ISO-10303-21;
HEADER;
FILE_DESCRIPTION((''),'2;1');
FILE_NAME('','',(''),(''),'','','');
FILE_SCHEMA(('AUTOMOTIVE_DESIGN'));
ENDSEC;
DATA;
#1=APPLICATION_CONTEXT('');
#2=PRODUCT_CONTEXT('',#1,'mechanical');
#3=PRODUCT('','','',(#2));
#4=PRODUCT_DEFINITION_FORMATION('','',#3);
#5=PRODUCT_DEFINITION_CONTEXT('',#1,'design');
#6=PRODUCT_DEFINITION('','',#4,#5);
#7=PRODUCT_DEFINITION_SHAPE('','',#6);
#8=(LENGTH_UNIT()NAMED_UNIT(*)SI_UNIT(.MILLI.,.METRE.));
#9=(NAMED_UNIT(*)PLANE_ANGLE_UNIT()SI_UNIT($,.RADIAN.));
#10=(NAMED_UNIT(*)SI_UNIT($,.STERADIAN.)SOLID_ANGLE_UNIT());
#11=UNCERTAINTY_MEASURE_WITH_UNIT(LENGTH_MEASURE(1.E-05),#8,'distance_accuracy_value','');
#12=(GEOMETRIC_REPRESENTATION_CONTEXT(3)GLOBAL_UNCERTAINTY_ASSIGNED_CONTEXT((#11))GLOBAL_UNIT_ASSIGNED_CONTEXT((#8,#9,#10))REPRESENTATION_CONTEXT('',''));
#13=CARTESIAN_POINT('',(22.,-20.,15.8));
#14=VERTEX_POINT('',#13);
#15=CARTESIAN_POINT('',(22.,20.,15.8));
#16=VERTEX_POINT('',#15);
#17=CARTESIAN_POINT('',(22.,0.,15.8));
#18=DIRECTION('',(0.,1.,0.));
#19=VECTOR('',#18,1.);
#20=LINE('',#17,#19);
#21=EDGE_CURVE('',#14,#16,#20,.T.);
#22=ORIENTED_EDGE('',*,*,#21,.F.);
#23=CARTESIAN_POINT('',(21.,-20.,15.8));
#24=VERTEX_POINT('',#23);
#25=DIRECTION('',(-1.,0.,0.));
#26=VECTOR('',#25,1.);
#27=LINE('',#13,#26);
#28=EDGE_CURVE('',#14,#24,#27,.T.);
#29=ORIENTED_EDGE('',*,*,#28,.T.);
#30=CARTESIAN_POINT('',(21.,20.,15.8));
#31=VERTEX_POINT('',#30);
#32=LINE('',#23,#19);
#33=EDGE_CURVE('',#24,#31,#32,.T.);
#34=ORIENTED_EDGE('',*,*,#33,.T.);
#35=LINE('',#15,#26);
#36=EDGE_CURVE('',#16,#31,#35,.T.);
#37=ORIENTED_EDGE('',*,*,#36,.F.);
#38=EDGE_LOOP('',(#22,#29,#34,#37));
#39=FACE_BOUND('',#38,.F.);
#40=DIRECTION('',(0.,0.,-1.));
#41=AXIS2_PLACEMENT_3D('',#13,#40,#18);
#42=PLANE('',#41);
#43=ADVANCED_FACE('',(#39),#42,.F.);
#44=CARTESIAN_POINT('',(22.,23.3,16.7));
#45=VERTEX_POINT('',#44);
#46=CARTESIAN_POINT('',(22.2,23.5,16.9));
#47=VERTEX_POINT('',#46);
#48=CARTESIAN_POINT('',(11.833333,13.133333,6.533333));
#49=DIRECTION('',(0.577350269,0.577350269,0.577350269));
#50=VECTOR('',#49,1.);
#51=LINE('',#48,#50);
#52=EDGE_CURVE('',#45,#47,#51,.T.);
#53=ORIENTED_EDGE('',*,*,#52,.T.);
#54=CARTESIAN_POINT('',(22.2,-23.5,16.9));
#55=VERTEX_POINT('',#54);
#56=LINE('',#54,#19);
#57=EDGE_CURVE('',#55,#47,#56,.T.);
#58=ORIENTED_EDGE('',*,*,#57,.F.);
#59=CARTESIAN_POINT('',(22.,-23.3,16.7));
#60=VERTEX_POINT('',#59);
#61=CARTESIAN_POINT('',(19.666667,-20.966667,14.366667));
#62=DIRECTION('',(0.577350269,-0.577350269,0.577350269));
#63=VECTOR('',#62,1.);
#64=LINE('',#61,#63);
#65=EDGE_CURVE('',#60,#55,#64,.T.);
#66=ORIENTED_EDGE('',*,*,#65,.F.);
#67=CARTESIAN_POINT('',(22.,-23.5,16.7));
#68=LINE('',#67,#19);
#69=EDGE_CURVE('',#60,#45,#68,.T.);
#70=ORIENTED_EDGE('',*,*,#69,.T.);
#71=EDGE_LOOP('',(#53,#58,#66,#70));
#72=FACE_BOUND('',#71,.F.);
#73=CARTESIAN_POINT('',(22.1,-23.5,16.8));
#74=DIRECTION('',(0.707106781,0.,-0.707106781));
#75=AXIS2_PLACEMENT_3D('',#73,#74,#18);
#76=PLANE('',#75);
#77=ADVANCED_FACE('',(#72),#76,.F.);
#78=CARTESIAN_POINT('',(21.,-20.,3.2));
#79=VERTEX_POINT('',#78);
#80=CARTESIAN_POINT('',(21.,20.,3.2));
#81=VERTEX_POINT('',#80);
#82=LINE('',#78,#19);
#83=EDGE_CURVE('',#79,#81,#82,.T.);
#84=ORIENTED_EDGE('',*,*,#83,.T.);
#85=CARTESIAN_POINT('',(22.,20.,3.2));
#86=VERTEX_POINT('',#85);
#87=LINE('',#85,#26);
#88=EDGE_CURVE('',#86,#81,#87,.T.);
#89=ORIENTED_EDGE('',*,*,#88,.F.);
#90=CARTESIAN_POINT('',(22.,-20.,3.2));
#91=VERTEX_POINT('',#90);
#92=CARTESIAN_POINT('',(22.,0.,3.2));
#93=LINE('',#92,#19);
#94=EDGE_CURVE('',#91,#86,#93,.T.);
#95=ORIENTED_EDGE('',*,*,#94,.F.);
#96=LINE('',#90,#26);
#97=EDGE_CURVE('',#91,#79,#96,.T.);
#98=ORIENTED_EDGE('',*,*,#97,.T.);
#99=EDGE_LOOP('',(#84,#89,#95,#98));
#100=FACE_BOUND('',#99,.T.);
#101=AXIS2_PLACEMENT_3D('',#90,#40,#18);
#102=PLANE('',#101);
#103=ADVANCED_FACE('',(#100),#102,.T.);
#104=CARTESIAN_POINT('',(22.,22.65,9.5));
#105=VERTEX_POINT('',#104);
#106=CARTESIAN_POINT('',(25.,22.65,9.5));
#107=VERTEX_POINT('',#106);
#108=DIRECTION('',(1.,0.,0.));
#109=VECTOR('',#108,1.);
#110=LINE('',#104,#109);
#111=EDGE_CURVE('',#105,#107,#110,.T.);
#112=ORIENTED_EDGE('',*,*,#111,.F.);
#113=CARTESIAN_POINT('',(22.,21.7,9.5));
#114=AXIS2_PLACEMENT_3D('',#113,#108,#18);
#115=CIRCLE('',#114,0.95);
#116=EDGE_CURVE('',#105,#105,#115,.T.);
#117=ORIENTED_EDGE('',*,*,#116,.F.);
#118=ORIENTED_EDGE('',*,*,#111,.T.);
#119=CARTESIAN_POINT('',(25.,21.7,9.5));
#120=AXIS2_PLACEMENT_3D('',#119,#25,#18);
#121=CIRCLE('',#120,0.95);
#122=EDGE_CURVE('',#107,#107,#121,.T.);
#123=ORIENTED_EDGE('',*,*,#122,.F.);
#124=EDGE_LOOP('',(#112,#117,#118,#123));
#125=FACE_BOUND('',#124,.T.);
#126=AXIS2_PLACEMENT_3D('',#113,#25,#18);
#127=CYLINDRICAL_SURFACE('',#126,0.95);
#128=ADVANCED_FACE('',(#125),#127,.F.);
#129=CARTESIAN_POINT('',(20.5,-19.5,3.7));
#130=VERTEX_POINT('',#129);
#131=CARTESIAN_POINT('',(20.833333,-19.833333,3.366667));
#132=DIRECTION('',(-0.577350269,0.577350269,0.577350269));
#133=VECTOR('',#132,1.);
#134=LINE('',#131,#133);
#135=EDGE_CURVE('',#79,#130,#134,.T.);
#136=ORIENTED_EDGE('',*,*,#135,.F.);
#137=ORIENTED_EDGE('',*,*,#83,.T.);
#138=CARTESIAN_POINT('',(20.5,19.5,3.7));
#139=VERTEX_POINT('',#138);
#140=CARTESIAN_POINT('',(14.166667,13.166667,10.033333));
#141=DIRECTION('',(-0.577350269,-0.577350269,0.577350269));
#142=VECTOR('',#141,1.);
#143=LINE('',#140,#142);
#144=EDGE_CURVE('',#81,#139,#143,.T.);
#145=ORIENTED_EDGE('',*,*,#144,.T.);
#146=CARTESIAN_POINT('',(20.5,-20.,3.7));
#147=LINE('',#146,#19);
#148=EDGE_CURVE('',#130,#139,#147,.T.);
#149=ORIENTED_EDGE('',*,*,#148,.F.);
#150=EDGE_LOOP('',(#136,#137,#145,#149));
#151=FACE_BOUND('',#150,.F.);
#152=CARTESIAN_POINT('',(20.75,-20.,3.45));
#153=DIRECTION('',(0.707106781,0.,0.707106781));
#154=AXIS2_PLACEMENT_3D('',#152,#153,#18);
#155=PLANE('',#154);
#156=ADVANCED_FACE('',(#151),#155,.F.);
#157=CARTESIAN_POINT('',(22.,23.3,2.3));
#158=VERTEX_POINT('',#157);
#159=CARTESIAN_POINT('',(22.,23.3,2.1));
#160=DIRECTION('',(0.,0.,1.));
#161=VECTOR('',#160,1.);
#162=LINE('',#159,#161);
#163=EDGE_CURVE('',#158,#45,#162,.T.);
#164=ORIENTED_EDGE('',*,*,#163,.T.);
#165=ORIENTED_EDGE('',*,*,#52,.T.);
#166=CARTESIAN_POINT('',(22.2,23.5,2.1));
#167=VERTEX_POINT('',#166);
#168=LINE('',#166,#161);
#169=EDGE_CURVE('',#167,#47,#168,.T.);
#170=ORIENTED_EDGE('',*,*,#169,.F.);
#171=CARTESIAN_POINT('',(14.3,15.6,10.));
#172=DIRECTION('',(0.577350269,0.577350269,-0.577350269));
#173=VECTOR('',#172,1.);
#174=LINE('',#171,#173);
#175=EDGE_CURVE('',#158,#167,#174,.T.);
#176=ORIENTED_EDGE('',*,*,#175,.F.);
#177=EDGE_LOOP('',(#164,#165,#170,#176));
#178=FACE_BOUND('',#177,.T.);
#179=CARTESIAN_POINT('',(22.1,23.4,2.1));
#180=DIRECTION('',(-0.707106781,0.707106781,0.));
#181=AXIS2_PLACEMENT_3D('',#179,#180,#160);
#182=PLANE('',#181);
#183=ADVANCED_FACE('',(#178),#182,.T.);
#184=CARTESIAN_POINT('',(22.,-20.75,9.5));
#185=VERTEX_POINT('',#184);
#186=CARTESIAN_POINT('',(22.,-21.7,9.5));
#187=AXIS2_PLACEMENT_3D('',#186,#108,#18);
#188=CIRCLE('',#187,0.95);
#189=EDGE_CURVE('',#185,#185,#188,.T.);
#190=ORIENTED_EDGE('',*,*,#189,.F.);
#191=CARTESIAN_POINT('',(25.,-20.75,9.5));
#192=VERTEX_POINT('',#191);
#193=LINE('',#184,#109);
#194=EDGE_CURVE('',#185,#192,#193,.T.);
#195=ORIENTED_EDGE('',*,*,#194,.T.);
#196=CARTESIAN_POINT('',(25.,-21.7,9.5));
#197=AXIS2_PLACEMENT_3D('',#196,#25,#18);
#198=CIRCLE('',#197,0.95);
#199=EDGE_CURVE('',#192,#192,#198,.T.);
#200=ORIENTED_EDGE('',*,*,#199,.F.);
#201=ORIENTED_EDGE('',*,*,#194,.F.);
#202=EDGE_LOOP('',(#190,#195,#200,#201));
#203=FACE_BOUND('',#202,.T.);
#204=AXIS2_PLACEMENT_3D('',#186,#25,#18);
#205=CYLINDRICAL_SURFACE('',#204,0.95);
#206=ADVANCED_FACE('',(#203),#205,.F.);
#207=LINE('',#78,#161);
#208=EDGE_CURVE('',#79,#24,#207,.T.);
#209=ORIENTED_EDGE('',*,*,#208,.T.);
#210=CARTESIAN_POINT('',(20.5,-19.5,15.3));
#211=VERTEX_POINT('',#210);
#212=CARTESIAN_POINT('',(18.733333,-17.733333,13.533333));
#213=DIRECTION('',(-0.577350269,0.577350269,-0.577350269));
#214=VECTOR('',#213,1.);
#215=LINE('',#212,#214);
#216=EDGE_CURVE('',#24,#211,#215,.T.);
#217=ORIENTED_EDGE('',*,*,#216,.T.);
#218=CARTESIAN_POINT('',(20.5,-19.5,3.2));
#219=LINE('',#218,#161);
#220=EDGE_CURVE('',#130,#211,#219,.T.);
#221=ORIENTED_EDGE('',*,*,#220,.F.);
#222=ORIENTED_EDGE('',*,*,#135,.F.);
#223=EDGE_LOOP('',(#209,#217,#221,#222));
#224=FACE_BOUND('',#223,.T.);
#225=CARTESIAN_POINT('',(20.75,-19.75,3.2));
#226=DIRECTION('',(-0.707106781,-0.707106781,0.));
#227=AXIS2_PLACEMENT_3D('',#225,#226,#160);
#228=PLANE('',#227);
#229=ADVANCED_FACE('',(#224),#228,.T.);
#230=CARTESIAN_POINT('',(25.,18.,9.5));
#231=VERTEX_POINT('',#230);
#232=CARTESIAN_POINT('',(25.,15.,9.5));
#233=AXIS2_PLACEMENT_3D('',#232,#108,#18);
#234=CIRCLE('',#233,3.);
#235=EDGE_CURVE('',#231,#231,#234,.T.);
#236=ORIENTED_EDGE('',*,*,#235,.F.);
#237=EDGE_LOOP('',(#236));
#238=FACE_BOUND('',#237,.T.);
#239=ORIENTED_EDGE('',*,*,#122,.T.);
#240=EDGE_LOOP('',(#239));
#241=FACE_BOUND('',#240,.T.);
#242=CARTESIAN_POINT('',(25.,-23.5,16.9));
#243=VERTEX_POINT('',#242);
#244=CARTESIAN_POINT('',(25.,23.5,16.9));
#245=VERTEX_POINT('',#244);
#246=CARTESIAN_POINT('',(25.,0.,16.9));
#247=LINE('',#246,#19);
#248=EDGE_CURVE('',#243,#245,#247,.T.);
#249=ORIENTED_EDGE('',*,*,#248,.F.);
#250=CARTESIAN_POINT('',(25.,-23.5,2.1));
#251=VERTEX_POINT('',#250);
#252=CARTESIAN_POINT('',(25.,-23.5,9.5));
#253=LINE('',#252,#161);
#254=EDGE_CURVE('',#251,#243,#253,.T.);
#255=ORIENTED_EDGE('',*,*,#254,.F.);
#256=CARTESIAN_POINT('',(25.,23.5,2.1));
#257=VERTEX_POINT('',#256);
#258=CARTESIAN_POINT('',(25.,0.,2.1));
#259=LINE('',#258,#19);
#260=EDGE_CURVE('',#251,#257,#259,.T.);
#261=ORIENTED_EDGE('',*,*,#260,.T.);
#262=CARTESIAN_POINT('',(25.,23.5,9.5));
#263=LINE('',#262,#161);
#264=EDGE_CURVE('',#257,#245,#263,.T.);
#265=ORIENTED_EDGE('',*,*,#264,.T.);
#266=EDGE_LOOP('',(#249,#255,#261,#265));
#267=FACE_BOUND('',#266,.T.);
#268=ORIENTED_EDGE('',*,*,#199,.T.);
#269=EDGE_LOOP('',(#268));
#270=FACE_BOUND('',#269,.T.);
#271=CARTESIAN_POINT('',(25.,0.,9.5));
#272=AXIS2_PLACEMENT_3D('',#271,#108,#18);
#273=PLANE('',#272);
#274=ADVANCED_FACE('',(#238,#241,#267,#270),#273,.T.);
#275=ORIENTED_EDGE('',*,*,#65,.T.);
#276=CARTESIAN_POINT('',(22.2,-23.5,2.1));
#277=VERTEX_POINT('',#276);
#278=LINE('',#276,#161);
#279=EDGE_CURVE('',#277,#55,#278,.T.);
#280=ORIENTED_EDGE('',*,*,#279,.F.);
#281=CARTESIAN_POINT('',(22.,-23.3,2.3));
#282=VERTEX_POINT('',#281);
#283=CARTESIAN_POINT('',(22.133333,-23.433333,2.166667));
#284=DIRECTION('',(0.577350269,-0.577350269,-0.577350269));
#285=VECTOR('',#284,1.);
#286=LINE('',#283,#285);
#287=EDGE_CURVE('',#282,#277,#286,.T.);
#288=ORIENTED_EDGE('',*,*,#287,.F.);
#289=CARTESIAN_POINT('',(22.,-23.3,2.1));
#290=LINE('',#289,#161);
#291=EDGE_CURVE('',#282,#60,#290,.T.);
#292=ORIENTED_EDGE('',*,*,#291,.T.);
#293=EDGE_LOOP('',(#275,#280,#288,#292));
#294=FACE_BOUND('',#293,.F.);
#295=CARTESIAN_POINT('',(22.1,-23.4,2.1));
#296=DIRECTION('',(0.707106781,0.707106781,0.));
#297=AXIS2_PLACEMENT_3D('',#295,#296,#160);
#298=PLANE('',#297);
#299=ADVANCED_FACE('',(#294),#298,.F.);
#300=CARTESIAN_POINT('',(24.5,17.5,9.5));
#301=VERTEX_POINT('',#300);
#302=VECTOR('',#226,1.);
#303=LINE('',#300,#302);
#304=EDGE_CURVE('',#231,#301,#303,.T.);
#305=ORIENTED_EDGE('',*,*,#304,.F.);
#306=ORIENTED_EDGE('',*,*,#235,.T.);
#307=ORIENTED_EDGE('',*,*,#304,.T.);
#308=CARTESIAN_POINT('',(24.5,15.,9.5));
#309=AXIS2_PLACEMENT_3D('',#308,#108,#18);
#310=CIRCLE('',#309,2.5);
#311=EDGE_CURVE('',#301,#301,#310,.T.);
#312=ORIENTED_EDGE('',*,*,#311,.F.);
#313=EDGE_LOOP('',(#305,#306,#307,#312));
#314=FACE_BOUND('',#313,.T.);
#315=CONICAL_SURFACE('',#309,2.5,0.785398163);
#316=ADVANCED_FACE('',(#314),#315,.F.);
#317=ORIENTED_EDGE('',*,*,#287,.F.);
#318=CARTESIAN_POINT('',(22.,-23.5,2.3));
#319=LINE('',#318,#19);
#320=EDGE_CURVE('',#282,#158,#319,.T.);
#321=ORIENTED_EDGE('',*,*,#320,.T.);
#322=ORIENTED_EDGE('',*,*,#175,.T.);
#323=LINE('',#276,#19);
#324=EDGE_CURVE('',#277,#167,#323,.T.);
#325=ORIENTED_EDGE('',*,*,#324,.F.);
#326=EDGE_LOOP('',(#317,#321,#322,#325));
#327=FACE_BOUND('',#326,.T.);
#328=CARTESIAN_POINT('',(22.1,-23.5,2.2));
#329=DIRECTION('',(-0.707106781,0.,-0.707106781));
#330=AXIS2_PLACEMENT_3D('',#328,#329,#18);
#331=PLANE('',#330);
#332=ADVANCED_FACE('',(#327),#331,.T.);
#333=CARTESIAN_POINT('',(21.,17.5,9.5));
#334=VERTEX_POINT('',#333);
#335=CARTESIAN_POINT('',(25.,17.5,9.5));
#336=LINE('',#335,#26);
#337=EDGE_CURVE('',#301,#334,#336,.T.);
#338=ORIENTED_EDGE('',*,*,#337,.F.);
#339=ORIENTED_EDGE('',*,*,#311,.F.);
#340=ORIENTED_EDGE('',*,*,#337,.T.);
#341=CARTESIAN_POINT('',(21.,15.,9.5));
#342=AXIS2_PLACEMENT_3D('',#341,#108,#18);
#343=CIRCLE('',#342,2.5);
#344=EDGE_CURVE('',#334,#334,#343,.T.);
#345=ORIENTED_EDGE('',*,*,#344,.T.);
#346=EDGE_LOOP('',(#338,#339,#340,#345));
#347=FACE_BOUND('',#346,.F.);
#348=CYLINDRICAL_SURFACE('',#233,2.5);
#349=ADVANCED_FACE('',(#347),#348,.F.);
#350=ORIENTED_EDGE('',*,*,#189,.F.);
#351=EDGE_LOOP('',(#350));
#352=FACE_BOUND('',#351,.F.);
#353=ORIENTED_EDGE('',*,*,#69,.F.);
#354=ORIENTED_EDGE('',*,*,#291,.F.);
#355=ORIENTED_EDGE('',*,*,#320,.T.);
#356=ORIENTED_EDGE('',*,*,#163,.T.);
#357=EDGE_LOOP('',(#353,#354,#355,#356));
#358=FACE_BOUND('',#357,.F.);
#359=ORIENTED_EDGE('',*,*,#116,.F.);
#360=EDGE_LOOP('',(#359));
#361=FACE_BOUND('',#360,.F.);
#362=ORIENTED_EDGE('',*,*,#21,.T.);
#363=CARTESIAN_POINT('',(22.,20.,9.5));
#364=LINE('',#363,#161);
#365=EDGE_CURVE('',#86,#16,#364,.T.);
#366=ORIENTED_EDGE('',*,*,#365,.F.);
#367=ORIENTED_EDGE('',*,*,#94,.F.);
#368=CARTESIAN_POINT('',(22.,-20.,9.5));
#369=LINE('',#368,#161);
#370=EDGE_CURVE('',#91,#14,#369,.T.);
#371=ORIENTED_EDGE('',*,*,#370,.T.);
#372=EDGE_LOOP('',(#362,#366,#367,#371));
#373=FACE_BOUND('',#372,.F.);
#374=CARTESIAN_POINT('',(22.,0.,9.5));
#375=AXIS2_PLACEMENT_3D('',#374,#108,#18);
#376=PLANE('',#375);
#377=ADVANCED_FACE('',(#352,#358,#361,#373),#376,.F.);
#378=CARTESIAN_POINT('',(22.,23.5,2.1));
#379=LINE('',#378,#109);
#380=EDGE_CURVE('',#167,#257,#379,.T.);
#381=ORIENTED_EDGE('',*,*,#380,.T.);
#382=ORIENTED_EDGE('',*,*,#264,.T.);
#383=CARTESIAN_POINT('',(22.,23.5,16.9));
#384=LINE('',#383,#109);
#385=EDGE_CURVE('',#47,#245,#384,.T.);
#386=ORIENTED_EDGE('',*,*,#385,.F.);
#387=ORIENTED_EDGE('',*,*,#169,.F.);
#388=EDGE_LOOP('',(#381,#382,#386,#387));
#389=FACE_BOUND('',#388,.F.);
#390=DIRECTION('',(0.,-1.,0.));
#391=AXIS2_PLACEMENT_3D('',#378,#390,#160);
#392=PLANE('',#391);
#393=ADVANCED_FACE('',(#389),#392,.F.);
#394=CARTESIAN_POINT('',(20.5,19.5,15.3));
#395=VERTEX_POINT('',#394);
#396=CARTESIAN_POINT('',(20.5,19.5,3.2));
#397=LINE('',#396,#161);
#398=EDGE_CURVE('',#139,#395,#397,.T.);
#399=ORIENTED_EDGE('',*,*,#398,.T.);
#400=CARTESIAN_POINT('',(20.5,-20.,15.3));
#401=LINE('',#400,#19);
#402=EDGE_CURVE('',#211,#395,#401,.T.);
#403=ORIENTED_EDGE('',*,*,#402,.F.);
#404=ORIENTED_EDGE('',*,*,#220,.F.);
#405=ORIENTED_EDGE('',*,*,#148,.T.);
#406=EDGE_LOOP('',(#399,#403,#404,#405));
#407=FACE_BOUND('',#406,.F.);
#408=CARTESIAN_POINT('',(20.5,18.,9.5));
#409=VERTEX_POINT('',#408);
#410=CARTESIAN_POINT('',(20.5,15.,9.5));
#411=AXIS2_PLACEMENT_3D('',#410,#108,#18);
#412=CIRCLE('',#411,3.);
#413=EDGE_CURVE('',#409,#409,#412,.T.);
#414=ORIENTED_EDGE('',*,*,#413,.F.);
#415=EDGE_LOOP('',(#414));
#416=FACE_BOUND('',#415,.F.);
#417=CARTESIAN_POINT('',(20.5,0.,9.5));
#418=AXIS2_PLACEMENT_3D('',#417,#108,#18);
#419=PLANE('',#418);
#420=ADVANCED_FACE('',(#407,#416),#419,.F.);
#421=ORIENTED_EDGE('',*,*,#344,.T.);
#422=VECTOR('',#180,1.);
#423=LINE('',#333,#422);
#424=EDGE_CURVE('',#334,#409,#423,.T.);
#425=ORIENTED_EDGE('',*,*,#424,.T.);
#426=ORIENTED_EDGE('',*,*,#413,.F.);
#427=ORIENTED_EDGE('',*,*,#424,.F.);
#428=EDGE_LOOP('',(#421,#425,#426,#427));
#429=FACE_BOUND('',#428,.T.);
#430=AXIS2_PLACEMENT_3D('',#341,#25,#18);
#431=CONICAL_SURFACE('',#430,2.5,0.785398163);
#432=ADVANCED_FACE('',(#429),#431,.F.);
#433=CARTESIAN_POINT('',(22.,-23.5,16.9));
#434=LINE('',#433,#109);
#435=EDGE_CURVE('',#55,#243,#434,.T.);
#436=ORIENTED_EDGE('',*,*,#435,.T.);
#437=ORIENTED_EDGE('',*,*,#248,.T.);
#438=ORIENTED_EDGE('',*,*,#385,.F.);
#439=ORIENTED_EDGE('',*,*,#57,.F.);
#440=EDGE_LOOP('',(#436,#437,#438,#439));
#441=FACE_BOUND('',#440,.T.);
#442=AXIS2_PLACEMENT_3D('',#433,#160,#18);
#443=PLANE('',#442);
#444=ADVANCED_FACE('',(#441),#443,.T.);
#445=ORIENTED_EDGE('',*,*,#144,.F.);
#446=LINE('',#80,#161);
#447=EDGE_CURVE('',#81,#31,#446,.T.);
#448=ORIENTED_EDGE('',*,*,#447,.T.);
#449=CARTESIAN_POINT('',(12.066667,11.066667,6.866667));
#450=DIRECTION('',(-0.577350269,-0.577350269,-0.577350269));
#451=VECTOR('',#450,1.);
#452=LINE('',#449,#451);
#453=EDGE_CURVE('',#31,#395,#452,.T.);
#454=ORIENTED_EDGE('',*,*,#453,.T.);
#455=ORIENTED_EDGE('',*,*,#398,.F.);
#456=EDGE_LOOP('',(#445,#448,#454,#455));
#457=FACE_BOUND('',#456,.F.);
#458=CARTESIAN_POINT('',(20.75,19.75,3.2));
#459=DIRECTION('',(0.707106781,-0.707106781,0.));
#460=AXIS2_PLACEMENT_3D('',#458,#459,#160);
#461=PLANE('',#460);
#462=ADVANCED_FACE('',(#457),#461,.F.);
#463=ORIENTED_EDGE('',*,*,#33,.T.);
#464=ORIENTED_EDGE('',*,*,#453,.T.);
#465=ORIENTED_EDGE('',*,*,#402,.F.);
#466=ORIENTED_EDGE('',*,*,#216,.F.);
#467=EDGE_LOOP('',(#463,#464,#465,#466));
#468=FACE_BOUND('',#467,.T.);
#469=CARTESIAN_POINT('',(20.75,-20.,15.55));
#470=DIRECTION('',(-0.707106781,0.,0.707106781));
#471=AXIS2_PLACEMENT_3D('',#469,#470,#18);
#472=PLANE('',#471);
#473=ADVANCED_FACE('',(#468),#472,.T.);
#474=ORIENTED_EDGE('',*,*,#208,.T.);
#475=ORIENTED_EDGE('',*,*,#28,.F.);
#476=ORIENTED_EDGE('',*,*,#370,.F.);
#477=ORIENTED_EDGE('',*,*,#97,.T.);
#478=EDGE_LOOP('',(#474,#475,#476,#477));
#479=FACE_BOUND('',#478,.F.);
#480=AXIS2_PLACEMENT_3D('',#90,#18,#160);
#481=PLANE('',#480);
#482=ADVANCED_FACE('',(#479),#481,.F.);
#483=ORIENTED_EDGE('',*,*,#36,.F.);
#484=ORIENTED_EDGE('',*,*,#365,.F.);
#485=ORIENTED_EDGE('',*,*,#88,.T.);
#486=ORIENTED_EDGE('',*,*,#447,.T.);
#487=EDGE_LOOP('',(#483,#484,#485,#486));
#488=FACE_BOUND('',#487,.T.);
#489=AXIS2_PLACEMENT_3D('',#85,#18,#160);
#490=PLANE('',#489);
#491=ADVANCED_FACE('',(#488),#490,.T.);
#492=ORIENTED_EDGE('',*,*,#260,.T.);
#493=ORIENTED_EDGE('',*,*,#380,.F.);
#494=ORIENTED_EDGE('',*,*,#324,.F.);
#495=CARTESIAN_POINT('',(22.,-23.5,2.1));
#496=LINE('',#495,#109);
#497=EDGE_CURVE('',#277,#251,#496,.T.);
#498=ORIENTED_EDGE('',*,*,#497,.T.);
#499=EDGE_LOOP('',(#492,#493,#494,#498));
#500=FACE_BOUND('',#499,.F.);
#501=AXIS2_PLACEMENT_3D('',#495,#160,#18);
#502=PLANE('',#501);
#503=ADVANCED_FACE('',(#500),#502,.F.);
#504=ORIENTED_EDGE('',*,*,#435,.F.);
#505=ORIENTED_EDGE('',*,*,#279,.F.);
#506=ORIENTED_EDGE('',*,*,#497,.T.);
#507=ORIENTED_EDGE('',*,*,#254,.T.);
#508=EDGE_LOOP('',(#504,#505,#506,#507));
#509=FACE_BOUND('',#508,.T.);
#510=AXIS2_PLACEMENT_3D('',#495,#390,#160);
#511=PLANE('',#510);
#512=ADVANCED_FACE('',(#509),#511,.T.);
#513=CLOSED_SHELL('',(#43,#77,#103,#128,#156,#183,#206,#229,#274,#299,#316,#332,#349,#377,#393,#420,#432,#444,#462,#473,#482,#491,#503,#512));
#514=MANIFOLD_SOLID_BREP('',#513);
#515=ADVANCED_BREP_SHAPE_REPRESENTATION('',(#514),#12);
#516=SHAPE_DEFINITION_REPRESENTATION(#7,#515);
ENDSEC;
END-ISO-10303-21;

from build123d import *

# Parameters (mm, degrees)
SKETCH013_W     = 47
SKETCH013_H     = 14.8
PAD005_DEPTH    = 3
SKETCH014_R     = 0.95
POCKET003_DEPTH = 5
SKETCH015_R     = 0.95
POCKET004_DEPTH = 2
SKETCH016_W     = 40
SKETCH016_H     = 12.6
PAD006_DEPTH    = 1.5
SKETCH017_R     = 2.5
POCKET005_DEPTH = 10
CHAMFER014_SIZE = 0.5
CHAMFER015_SIZE = 0.5
CHAMFER016_SIZE = 0.2


with BuildPart() as part:
    # Sketch013 → Pad005 (new body)
    with BuildSketch(Plane.YZ):
        with Locations((0, 4.5)):
            Rectangle(SKETCH013_W, SKETCH013_H)
    extrude(amount=PAD005_DEPTH)

    # Sketch014 → Pocket003 (cut)
    with BuildSketch(Plane.YZ):
        with Locations((-21.7, 4.5)):
            Circle(SKETCH014_R)
        with Locations((21.7, 4.5)):
            Circle(SKETCH014_R)
    extrude(amount=POCKET003_DEPTH, mode=Mode.SUBTRACT)

    # Sketch015 → Pocket004 (cut)
    with BuildSketch(Plane.YZ.offset(3)):
        with Locations((-21.7, 4.5)):
            Circle(SKETCH015_R)
        with Locations((21.7, 4.5)):
            Circle(SKETCH015_R)
    extrude(amount=-POCKET004_DEPTH, mode=Mode.SUBTRACT)

    # Sketch016 → Pad006 (join)
    with BuildSketch(Plane.YZ):
        with Locations((0, 4.5)):
            Rectangle(SKETCH016_W, SKETCH016_H)
    extrude(amount=-PAD006_DEPTH)

    # Sketch017 → Pocket005 (cut)
    with BuildSketch(Plane(origin=(3, 15, 4.5), x_dir=(0, 1, 0), z_dir=(1, 0, 0))):
        Circle(SKETCH017_R)
    extrude(amount=-POCKET005_DEPTH, mode=Mode.SUBTRACT)

    # Chamfer014
    chamfer014_edges = [part.edges().sort_by_distance(p)[0] for p in [
        (-1.5, 12.5, 4.5),
        (3, 12.5, 4.5),
    ]]
    chamfer(chamfer014_edges, length=CHAMFER014_SIZE)

    # Chamfer015
    chamfer015_edges = [part.edges().sort_by_distance(p)[0] for p in [
        (-1.5, 20, 4.5),
        (-1.5, 0, -1.8),
        (-1.5, -20, 4.5),
        (-1.5, 0, 10.8),
    ]]
    chamfer(chamfer015_edges, length=CHAMFER015_SIZE)

    # Chamfer016
    chamfer016_edges = [part.edges().sort_by_distance(p)[0] for p in [
        (0, 23.5, 4.5),
        (0, 0, -2.9),
        (0, 0, 11.9),
        (0, -23.5, 4.5),
    ]]
    chamfer(chamfer016_edges, length=CHAMFER016_SIZE)


with BuildPart() as part_1:
    # Body003 placement: moved
    add(part.part.moved(Location((22, 0, 5))))


solid = part_1.part
